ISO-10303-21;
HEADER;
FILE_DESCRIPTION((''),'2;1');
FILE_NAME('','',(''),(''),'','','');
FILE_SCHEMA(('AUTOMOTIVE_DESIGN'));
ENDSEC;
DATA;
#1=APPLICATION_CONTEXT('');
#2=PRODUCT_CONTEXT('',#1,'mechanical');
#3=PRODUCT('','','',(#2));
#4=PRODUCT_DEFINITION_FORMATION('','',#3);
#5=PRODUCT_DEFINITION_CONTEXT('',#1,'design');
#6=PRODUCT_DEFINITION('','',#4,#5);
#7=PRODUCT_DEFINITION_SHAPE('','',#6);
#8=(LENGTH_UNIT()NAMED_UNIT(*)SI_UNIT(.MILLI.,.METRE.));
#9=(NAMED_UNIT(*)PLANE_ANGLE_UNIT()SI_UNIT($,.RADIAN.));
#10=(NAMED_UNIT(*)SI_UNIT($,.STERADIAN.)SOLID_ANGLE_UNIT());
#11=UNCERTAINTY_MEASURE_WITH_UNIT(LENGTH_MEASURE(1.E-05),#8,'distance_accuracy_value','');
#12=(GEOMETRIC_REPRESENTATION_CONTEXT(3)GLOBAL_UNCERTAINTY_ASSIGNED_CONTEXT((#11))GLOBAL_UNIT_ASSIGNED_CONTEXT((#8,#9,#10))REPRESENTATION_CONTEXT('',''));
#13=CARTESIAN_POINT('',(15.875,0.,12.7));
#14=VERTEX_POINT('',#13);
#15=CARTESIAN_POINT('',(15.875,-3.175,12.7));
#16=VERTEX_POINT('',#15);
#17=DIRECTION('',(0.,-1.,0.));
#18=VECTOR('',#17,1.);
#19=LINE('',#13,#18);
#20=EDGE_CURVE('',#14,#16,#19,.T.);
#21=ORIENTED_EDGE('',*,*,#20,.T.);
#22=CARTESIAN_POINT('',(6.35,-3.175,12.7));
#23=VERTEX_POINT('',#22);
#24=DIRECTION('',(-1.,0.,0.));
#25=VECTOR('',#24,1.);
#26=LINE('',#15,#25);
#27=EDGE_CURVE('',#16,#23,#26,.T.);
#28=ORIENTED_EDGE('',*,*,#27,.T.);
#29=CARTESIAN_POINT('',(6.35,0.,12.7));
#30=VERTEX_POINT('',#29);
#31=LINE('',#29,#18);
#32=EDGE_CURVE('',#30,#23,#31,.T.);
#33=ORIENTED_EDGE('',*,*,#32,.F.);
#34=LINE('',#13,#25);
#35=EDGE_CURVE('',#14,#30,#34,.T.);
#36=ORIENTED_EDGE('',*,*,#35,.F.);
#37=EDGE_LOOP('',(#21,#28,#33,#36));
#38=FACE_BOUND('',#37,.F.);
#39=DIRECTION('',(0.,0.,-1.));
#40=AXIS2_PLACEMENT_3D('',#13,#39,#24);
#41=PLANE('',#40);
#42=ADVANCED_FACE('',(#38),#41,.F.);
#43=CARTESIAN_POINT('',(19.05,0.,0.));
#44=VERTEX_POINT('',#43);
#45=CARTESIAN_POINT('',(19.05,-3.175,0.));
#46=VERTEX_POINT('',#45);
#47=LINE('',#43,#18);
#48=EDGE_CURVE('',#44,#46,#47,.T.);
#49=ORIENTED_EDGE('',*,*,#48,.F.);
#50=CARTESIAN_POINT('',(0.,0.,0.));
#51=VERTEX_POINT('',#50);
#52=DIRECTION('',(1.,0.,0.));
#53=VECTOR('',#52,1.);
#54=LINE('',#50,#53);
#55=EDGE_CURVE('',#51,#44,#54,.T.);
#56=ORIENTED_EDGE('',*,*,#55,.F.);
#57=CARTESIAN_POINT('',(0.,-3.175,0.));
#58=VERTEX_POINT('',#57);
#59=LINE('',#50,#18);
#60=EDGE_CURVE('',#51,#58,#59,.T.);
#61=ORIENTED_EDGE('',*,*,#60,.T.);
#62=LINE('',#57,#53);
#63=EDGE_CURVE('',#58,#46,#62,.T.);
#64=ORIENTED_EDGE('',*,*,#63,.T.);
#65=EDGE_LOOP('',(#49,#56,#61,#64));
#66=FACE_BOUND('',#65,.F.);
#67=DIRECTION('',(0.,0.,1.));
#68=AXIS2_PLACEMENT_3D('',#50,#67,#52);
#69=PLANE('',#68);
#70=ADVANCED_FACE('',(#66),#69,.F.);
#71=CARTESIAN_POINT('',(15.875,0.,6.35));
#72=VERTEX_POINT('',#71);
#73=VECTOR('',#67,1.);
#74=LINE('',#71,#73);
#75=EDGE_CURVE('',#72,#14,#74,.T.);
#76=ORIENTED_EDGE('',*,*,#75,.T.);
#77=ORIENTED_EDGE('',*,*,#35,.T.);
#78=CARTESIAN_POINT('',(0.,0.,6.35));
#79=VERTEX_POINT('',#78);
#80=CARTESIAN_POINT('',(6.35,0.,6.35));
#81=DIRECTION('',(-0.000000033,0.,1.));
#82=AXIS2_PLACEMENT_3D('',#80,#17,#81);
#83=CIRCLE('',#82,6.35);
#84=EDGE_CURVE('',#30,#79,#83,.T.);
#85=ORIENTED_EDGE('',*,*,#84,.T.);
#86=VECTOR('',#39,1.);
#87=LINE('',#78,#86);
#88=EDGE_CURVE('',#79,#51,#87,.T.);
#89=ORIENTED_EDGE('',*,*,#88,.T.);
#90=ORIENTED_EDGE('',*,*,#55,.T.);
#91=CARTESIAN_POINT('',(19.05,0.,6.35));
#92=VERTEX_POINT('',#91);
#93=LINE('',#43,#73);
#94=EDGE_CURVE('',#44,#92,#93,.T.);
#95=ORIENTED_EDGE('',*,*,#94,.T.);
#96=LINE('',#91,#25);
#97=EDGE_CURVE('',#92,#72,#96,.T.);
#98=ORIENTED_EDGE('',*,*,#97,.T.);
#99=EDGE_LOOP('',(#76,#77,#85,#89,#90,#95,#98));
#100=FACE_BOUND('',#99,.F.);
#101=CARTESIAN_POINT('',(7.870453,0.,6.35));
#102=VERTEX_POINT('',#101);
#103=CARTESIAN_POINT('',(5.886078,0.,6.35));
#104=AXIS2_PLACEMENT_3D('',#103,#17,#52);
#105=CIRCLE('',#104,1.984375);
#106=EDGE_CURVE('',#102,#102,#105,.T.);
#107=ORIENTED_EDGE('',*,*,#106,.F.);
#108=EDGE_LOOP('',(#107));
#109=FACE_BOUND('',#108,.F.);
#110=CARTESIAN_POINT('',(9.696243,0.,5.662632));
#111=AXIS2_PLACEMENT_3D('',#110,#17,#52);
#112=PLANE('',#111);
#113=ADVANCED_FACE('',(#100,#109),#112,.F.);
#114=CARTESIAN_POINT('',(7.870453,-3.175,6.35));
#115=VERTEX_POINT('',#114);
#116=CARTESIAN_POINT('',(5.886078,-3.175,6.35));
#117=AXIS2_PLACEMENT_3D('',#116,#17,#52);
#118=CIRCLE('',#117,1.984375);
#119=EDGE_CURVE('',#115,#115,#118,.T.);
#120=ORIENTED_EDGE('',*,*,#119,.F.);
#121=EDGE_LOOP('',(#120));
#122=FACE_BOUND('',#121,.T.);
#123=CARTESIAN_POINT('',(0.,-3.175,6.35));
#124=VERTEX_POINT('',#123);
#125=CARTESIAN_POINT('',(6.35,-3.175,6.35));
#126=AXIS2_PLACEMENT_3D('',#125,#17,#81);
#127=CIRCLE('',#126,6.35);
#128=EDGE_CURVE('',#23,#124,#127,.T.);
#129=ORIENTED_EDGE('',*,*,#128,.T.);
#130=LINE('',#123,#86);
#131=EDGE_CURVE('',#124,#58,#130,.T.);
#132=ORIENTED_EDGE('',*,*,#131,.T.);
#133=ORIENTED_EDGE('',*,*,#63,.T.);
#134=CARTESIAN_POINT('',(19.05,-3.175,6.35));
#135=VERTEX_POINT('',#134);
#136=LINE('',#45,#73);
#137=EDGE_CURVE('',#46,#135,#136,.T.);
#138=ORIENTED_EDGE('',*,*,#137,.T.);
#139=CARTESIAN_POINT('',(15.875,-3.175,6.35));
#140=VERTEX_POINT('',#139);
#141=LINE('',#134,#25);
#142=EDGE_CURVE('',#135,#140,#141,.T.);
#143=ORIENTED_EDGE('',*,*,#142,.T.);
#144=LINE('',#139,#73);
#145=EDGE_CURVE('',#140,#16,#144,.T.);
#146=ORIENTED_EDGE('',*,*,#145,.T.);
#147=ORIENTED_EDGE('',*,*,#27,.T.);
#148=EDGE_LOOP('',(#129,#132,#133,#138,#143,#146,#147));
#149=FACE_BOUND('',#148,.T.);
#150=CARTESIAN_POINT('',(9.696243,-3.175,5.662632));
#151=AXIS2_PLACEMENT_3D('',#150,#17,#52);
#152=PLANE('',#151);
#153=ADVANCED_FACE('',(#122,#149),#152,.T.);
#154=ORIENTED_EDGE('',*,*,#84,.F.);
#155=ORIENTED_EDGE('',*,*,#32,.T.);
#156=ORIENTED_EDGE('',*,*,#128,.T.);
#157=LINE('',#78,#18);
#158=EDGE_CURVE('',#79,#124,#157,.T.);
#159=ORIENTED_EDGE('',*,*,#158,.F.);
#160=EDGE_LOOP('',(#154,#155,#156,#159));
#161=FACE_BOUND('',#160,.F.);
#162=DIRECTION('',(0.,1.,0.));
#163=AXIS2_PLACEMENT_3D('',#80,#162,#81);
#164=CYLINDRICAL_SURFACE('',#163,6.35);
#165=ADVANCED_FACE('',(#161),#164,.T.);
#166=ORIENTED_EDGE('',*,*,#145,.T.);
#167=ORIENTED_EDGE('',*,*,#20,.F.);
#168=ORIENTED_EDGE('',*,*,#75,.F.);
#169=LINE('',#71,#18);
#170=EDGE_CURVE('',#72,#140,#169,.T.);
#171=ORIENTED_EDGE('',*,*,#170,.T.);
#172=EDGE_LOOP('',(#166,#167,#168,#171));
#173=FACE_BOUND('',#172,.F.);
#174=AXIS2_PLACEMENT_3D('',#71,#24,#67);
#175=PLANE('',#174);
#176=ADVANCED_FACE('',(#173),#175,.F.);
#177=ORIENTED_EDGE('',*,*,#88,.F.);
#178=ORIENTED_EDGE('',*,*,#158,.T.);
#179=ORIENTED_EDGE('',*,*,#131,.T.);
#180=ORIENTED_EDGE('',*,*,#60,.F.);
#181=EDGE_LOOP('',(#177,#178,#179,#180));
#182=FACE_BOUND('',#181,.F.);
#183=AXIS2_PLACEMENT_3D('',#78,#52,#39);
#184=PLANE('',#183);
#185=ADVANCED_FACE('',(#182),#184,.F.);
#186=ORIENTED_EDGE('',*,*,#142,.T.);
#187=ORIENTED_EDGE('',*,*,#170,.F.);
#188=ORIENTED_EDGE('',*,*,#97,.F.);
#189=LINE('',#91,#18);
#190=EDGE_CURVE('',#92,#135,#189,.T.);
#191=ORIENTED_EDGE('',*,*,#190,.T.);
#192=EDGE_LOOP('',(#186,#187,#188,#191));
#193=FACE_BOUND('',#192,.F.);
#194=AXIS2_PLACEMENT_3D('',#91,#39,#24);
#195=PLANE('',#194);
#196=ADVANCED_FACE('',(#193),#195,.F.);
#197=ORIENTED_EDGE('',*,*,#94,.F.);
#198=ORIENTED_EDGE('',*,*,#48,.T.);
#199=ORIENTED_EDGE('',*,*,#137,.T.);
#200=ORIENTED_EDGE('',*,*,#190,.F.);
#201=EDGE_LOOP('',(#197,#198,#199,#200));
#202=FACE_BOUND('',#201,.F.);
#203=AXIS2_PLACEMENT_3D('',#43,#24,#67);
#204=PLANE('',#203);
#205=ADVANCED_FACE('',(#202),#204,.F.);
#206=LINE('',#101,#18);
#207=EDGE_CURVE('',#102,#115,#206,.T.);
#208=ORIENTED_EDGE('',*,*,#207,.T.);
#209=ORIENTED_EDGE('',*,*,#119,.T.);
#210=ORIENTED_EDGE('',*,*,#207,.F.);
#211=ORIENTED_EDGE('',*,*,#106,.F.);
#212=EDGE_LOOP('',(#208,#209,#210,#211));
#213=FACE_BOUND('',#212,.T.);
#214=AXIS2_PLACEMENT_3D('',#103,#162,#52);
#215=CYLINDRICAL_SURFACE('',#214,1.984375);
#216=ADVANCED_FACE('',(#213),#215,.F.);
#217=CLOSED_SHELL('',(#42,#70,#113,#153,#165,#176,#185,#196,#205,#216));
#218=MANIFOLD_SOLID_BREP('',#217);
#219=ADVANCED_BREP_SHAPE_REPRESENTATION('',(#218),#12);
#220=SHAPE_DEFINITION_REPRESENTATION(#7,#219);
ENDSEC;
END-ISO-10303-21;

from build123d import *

# Parameters (mm, degrees)
F0_R     = 1.984375
F1_DEPTH = 3.175


with BuildPart() as f1:
    # F0 (on Front) → F1 (new body)
    with BuildSketch(Plane.XZ):
        with BuildLine():
            Line((0, 6.35), (0, 0))
            Line((0, 0), (19.05, 0))
            Line((19.05, 0), (19.05, 6.35))
            Line((19.05, 6.35), (15.875, 6.35))
            Line((15.875, 6.35), (15.875, 12.7))
            Line((15.875, 12.7), (6.35, 12.7))
            ThreePointArc((6.35, 12.7), (1.859872, 10.840128), (0, 6.35))
        make_face()
        with Locations((5.886078, 6.35)):
            Circle(F0_R, mode=Mode.SUBTRACT)
    extrude(amount=F1_DEPTH)


solid = f1.part
